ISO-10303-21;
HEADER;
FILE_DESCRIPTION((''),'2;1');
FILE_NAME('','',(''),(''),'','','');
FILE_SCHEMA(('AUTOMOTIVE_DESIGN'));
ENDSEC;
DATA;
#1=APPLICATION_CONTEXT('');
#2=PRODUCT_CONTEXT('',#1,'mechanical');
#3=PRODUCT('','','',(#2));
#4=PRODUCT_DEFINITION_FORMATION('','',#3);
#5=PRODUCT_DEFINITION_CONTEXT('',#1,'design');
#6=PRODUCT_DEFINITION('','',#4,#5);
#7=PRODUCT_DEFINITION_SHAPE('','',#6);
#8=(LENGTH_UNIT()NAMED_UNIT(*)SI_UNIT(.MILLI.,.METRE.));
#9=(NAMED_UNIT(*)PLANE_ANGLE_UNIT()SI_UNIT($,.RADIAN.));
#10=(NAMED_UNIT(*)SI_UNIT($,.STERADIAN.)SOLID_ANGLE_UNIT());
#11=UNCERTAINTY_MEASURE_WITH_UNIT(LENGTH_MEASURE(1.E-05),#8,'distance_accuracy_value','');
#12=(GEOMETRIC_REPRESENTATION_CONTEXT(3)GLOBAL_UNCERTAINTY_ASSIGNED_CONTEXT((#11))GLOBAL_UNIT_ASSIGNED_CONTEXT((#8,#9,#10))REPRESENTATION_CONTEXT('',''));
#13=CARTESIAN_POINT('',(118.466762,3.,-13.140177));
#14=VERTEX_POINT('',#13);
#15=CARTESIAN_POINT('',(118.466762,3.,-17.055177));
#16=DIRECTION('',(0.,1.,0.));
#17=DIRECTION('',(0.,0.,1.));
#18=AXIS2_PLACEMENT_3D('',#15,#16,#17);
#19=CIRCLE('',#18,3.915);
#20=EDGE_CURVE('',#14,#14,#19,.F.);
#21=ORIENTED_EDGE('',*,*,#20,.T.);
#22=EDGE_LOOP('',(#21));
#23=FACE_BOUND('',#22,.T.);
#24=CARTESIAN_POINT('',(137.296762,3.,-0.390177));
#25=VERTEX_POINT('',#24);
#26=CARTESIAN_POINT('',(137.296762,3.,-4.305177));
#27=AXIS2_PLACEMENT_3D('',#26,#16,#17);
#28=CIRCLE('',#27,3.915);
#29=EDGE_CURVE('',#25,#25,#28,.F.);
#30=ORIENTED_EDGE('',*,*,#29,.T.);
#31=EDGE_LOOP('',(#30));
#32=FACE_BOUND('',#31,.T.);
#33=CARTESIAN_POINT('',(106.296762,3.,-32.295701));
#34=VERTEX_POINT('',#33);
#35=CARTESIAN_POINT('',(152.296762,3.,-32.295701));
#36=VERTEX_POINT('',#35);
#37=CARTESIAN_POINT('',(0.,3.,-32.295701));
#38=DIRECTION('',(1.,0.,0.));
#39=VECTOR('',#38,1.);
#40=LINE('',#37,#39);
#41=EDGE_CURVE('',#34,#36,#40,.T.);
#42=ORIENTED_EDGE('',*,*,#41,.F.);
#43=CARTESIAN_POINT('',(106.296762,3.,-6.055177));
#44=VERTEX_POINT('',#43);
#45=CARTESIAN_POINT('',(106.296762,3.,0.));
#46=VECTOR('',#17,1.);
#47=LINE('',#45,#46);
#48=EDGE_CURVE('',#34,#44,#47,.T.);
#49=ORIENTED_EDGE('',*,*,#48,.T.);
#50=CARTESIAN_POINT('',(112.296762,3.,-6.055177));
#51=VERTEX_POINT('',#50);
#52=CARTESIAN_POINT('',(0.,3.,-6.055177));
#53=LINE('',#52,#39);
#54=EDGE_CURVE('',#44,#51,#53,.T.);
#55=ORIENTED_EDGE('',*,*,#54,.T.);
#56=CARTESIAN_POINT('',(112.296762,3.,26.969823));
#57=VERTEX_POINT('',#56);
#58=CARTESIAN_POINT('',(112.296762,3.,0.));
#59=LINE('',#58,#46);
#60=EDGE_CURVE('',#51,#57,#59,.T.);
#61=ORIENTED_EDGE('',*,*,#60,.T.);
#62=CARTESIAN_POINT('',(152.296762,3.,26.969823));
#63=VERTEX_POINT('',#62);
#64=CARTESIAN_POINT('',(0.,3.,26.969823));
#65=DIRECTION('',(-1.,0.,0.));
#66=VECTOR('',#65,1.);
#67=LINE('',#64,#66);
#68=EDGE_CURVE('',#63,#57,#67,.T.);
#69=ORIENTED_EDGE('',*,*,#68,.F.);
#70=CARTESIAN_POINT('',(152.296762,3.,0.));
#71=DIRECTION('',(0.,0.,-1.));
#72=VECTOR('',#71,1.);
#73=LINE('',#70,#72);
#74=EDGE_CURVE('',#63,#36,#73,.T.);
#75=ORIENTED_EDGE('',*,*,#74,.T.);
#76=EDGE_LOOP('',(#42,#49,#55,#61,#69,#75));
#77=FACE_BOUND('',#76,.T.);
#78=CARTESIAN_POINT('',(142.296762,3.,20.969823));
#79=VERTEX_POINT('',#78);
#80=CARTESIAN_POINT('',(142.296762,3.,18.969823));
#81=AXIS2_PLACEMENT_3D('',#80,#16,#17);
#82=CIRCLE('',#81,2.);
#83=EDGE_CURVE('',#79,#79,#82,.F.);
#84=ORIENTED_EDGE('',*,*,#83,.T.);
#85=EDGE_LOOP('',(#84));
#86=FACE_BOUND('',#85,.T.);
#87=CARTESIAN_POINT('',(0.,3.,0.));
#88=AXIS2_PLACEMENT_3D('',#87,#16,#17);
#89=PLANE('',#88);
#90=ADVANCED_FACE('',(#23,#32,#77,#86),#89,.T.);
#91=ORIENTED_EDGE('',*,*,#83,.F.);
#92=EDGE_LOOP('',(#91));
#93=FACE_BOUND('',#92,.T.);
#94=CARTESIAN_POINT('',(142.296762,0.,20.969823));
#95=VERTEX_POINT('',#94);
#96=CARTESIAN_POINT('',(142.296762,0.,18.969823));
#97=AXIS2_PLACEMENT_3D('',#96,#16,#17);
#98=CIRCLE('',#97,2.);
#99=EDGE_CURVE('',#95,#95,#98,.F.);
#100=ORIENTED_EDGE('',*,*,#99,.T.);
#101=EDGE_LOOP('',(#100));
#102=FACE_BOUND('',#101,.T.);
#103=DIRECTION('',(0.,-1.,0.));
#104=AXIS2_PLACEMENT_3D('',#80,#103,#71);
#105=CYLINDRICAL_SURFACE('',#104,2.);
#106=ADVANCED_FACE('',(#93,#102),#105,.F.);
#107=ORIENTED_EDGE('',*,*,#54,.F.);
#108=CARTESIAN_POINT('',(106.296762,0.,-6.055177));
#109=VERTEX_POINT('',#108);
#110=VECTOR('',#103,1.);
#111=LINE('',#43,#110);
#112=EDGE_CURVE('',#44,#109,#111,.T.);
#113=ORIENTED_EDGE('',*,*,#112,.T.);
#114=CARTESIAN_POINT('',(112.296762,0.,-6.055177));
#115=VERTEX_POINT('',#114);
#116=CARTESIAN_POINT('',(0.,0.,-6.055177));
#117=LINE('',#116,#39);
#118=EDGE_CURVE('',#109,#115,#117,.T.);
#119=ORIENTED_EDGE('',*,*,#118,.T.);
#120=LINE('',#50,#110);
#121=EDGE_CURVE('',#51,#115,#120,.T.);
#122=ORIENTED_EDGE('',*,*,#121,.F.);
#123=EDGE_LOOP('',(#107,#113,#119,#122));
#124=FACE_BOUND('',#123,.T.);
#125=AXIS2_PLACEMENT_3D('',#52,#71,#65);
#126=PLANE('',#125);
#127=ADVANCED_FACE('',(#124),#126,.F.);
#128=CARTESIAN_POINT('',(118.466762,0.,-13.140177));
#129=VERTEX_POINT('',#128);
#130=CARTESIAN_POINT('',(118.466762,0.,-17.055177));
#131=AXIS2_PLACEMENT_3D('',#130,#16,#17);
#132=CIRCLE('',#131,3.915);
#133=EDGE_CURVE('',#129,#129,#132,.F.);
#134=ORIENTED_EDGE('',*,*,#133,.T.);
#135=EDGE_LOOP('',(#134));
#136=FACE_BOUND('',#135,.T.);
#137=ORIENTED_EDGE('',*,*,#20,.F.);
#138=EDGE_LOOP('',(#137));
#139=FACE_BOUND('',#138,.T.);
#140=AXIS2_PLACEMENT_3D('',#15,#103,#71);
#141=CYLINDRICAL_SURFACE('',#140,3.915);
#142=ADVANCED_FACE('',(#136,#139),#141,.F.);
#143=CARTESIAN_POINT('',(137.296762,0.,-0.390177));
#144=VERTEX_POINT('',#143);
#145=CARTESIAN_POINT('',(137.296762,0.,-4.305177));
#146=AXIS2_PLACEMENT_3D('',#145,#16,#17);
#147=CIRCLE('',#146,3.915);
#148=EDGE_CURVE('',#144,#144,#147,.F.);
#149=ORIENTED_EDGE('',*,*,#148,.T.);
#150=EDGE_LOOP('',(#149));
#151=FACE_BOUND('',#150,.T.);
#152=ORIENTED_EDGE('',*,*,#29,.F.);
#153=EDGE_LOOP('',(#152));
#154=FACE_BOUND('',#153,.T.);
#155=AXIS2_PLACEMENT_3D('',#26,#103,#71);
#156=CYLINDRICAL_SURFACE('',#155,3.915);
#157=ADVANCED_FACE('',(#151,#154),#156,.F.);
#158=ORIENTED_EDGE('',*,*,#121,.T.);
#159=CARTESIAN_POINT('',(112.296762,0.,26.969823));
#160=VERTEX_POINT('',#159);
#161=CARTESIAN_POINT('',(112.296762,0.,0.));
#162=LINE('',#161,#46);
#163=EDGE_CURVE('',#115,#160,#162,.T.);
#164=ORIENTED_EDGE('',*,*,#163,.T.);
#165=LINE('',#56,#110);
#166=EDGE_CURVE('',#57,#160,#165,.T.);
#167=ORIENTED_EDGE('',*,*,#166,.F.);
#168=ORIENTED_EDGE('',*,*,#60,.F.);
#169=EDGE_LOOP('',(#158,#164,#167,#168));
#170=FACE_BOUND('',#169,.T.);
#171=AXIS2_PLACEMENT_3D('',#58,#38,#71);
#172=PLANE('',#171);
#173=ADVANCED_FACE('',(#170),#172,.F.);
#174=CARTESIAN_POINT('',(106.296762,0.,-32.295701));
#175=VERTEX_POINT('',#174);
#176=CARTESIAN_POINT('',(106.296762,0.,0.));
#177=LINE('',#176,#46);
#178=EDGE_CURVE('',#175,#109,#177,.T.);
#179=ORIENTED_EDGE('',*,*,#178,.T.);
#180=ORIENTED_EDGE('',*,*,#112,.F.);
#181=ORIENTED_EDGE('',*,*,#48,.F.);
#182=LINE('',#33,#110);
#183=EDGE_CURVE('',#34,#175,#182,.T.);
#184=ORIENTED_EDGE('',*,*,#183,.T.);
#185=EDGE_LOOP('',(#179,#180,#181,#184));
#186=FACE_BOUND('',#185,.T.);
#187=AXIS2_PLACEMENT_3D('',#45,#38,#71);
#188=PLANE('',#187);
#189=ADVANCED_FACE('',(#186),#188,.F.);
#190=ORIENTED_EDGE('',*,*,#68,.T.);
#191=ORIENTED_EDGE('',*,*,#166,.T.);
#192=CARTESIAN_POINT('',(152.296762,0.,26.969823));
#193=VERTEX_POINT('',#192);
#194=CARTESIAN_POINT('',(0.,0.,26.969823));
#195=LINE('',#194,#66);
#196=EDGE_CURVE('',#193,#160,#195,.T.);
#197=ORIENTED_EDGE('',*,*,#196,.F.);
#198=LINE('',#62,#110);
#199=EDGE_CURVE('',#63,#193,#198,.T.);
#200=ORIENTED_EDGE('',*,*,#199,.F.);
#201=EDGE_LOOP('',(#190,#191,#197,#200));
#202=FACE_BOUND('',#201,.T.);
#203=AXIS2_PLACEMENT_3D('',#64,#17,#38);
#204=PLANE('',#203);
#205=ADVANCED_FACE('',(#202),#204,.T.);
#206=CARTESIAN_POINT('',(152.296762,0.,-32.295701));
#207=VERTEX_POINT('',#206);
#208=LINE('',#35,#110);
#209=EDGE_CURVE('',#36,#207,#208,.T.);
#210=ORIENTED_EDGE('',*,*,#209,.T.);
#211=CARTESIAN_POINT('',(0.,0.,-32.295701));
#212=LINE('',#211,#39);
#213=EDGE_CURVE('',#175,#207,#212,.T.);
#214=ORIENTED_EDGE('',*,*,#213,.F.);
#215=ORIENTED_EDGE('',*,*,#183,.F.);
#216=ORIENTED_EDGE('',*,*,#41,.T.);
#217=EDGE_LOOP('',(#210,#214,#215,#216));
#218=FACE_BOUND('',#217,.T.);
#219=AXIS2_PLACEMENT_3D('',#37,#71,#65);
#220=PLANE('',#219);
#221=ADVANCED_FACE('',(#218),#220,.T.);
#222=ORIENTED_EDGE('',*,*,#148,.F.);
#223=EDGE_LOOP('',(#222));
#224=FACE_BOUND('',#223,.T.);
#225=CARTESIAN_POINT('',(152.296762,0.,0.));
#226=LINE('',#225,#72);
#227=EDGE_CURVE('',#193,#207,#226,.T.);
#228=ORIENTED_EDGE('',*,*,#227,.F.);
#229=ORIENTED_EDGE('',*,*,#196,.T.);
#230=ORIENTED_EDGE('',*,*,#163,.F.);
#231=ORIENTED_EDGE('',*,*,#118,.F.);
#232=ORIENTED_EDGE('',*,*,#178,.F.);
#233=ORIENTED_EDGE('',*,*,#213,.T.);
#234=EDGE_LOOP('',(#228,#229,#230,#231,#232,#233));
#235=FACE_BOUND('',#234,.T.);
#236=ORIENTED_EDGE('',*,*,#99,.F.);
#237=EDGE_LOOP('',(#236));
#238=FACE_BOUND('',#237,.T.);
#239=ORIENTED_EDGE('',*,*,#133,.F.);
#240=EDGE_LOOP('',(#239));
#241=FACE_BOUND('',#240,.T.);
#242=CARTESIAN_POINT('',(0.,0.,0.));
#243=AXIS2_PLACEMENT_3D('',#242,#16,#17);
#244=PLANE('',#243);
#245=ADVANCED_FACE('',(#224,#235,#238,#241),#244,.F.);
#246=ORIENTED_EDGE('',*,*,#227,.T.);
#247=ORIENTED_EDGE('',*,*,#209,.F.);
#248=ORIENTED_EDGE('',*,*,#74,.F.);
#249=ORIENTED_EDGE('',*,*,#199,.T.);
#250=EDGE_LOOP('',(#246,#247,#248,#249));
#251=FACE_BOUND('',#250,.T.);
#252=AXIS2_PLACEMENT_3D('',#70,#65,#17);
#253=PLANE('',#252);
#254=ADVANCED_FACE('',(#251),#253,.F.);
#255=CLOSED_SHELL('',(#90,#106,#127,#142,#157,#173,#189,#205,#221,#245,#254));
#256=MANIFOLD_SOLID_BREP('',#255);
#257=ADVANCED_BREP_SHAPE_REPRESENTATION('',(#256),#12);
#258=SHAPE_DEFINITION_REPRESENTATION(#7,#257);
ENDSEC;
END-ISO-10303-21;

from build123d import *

# Parameters (mm, degrees)
SKETCH1_6_R         = 2
SKETCH1_6_R_2       = 3.915
BOSS_EXTRUDE3_DEPTH = 3


with BuildPart() as part:
    # Sketch1<6> → Boss-Extrude3 (new body)
    with BuildSketch(Plane(origin=(0, 0, 0), x_dir=(1, 0, 0), z_dir=(0, 1, 0))):
        Polygon((152.296761578, -26.969822669), (152.296761578, 32.295700632), (106.296761578, 32.295700632), (106.296761578, 6.055177331), (112.296761578, 6.055177331), (112.296761578, -26.969822669), align=None)
        with Locations((142.296761578, -18.969822669)):
            Circle(SKETCH1_6_R, mode=Mode.SUBTRACT)
        with Locations((118.466761578, 17.055177331)):
            Circle(SKETCH1_6_R_2, mode=Mode.SUBTRACT)
        with Locations((137.296761578, 4.305177331)):
            Circle(SKETCH1_6_R_2, mode=Mode.SUBTRACT)
    extrude(amount=BOSS_EXTRUDE3_DEPTH)


solid = part.part
